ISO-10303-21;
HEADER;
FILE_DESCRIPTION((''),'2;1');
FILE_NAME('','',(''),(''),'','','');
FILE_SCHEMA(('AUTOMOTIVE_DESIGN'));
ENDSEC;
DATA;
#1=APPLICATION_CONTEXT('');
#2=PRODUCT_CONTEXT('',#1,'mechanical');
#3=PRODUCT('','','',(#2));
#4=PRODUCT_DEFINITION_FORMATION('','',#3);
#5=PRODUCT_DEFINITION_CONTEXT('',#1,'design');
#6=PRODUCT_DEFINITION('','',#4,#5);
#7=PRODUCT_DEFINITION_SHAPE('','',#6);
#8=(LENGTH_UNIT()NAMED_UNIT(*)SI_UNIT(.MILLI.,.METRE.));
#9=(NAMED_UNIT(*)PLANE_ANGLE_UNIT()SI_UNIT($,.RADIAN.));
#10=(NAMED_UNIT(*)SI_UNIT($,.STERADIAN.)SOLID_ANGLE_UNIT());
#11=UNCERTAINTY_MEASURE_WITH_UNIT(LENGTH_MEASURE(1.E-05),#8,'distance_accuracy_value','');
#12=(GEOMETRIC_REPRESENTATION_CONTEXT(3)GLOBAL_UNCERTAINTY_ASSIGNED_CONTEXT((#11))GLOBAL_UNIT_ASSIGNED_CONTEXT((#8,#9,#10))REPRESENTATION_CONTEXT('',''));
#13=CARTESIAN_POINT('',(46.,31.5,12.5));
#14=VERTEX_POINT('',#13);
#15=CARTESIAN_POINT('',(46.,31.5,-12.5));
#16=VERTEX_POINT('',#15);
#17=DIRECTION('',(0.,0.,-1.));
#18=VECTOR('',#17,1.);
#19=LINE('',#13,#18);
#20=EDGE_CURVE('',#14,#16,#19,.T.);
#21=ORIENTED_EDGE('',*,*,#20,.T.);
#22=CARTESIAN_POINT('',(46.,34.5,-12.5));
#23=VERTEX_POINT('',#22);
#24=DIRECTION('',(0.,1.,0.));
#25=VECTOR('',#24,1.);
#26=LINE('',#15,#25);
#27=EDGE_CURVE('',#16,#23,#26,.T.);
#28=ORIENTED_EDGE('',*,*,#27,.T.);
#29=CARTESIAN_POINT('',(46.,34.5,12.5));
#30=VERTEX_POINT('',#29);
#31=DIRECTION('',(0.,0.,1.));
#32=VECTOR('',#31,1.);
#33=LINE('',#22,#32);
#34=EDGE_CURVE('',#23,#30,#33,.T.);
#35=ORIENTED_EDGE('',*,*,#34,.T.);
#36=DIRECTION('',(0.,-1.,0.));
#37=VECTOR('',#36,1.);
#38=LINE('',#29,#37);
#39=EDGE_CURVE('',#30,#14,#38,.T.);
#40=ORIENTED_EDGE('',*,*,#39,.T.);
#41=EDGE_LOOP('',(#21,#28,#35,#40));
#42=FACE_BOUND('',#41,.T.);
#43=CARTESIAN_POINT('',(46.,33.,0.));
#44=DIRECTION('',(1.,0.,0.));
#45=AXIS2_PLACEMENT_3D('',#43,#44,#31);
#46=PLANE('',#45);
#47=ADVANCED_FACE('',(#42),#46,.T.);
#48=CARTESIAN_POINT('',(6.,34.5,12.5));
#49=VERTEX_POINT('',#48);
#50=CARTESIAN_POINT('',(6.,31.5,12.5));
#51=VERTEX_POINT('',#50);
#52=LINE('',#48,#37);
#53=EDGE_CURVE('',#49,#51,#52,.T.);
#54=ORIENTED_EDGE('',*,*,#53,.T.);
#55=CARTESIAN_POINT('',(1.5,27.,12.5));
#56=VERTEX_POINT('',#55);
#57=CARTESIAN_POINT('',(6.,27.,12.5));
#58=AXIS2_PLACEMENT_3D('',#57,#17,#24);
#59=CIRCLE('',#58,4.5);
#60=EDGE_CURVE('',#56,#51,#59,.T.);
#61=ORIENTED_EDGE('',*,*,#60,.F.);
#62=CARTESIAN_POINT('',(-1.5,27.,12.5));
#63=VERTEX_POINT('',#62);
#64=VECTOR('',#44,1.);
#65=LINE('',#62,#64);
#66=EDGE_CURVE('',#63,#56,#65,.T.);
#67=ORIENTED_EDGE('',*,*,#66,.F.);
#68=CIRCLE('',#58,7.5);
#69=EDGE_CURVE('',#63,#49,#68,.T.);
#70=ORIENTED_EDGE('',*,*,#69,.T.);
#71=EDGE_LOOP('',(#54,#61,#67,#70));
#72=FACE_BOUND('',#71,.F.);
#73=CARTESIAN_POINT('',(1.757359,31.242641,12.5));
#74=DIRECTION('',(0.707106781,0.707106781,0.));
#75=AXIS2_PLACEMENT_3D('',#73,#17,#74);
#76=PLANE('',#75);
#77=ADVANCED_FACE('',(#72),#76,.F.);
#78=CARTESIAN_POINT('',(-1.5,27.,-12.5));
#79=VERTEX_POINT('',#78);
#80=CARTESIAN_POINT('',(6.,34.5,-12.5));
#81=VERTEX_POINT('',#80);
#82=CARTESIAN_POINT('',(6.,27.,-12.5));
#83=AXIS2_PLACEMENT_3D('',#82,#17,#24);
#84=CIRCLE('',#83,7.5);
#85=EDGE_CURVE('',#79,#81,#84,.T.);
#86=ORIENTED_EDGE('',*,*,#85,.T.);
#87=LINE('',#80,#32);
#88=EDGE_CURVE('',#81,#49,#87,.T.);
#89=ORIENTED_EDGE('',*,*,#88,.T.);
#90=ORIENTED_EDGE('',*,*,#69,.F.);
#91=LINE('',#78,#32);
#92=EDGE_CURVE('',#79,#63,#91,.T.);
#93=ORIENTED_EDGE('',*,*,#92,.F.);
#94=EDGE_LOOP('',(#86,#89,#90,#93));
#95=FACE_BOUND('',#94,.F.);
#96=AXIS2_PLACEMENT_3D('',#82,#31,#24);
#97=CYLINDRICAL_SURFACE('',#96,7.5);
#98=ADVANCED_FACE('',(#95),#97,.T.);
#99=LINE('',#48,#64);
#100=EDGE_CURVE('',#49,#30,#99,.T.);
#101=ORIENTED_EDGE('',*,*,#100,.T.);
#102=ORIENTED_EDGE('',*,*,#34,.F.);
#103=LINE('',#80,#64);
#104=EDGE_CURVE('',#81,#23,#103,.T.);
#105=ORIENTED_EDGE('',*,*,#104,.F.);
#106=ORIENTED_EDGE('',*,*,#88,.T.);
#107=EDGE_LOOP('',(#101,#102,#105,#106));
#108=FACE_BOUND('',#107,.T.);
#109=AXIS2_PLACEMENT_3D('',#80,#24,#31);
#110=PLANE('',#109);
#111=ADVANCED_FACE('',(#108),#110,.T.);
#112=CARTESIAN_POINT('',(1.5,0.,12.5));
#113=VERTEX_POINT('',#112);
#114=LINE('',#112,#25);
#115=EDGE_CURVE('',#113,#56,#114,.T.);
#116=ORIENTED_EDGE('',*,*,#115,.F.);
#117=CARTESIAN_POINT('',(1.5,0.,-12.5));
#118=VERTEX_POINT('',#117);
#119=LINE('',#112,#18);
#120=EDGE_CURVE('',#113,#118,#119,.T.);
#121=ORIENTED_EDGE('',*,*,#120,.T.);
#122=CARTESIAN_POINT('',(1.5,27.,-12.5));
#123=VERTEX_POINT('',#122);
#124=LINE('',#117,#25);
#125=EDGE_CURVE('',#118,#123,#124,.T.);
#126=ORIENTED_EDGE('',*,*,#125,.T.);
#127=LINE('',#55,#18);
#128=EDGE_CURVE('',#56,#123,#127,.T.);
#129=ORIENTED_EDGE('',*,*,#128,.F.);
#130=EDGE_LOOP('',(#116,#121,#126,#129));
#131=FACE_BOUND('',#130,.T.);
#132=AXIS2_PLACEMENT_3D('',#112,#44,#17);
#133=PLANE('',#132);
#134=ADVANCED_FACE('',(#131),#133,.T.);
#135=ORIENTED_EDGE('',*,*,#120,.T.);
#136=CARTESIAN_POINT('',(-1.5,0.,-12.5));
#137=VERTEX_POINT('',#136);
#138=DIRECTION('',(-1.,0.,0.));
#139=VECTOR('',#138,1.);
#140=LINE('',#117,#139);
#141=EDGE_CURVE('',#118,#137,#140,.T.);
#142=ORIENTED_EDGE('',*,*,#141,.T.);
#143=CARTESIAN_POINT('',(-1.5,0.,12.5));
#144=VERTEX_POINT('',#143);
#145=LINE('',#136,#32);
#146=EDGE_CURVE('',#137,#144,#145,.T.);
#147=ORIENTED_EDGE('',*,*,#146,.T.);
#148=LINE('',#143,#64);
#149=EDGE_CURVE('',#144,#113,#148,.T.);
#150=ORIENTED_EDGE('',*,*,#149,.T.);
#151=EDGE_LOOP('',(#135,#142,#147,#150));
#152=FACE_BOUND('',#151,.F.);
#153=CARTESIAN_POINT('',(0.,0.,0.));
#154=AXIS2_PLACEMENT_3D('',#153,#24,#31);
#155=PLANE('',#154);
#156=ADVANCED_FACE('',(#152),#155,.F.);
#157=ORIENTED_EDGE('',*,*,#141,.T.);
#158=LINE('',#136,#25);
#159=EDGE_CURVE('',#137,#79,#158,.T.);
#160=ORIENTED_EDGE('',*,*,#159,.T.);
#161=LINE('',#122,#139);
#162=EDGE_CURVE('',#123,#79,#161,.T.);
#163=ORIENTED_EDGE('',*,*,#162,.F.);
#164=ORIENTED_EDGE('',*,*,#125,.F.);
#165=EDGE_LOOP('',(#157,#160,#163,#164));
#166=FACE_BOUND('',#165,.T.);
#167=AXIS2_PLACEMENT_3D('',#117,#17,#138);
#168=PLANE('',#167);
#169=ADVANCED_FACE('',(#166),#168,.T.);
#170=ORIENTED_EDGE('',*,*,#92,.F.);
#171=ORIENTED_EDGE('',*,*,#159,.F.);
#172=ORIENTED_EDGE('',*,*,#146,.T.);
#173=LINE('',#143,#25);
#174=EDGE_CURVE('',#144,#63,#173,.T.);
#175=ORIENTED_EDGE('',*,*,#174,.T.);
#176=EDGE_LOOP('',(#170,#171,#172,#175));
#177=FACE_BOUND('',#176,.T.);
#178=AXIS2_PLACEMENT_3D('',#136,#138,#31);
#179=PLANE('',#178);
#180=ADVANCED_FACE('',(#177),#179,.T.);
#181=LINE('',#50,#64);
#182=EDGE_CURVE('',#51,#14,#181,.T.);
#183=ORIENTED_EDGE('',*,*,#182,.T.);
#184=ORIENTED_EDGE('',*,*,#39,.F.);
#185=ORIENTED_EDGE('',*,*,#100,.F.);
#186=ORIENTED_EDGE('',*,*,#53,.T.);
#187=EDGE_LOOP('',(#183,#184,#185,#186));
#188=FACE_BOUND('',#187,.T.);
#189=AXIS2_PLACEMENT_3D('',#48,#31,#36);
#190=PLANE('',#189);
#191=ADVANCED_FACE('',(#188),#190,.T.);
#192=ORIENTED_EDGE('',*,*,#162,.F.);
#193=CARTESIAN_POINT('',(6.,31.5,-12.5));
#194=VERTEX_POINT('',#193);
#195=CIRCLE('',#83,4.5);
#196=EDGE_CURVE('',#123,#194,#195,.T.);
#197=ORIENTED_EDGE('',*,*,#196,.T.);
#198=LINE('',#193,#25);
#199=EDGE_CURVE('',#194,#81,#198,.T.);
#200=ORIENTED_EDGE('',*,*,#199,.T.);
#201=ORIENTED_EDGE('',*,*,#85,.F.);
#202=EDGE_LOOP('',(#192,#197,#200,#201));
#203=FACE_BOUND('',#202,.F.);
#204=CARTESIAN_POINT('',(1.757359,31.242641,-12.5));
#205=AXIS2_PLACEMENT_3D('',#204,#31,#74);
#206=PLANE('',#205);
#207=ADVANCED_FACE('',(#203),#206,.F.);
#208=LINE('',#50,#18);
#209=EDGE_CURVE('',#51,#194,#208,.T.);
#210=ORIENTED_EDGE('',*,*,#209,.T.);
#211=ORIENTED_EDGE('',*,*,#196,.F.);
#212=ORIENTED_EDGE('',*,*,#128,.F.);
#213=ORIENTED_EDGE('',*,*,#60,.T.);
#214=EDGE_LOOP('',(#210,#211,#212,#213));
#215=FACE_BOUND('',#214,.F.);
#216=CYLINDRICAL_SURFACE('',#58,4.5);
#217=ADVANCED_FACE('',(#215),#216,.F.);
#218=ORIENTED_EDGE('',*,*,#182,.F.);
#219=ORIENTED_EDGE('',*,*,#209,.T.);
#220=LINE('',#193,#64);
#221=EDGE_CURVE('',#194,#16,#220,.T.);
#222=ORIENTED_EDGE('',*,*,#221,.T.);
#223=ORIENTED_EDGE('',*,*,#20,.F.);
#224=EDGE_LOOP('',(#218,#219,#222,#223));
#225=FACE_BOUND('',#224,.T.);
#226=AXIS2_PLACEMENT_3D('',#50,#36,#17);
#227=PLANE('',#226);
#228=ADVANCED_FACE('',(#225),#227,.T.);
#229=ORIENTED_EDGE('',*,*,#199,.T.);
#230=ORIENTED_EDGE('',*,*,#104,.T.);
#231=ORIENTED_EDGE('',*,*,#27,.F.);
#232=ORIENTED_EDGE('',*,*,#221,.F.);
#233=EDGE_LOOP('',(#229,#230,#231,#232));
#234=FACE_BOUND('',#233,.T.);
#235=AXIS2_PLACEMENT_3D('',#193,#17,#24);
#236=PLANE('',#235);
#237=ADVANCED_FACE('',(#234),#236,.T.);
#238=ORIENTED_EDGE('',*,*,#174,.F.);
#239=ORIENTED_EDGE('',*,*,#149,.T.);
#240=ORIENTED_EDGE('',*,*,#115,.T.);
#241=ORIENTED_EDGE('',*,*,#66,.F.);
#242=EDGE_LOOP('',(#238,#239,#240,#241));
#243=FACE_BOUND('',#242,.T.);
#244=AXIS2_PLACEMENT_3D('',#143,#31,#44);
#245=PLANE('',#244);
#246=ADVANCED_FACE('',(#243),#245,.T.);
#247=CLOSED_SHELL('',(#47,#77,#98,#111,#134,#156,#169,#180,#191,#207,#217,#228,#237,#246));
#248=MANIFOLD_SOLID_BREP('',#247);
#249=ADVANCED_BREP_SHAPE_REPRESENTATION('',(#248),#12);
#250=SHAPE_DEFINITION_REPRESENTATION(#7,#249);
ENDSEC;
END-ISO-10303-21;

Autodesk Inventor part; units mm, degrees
ref_plane "XZ Plane" through (0, 0, 0) normal (0, 1, 0) x (-1, 0, 0)
ref_plane "XY Plane" through (0, 0, 0) normal (0, 0, 1) x (1, 0, 0)
sketch "Sketch1" plane through (0, 0, 0) normal (0, 0, 1) x (1, 0, 0)
  line L0 (0, 0) -> (0, 27)
  line L1 (6, 33) -> (46, 33)
  arc A0 (6, 33) -> (0, 27) centre (6, 27) ccw
  point P0 (0, 33)
  dimension "d0" = 33
  dimension "d1" = 46
  dimension "d4" = 6
sketch "Sketch2" plane through (0, 0, 0) normal (0, 1, 0) x (-1, 0, 0)
  line L0 (-1.5, -12.5) -> (1.5, -12.5)
  line L1 (1.5, -12.5) -> (1.5, 12.5)
  line L2 (1.5, 12.5) -> (-1.5, 12.5)
  line L3 (-1.5, 12.5) -> (-1.5, -12.5)
  line L4 (-1.5, -12.5) -> (1.5, 12.5) construction
  line L5 (1.5, -12.5) -> (-1.5, 12.5) construction
  point P0 (0, 0)
  dimension "d2" = 3
  dimension "d3" = 25
sweep "Sweep1" add profiles "Sketch2" path "Sketch1"
sketch "Sketch3" plane through (6, 34.5, 12.5) normal (0, 1, 0) x (1, 0, 0)
  circle A0 centre (27, 12.5) radius 6
  line L0 (40, 25) -> (40, 0) projected
  point P0 (-6, 12.5)
  dimension "d7" = 12
  dimension "d8" = 13
ref_plane "Work Plane1" through (33, 0, 0) normal (1, 0, 0) x (0, 1, 0)
properties part number "clampBaseTopSide" material "Steel"
